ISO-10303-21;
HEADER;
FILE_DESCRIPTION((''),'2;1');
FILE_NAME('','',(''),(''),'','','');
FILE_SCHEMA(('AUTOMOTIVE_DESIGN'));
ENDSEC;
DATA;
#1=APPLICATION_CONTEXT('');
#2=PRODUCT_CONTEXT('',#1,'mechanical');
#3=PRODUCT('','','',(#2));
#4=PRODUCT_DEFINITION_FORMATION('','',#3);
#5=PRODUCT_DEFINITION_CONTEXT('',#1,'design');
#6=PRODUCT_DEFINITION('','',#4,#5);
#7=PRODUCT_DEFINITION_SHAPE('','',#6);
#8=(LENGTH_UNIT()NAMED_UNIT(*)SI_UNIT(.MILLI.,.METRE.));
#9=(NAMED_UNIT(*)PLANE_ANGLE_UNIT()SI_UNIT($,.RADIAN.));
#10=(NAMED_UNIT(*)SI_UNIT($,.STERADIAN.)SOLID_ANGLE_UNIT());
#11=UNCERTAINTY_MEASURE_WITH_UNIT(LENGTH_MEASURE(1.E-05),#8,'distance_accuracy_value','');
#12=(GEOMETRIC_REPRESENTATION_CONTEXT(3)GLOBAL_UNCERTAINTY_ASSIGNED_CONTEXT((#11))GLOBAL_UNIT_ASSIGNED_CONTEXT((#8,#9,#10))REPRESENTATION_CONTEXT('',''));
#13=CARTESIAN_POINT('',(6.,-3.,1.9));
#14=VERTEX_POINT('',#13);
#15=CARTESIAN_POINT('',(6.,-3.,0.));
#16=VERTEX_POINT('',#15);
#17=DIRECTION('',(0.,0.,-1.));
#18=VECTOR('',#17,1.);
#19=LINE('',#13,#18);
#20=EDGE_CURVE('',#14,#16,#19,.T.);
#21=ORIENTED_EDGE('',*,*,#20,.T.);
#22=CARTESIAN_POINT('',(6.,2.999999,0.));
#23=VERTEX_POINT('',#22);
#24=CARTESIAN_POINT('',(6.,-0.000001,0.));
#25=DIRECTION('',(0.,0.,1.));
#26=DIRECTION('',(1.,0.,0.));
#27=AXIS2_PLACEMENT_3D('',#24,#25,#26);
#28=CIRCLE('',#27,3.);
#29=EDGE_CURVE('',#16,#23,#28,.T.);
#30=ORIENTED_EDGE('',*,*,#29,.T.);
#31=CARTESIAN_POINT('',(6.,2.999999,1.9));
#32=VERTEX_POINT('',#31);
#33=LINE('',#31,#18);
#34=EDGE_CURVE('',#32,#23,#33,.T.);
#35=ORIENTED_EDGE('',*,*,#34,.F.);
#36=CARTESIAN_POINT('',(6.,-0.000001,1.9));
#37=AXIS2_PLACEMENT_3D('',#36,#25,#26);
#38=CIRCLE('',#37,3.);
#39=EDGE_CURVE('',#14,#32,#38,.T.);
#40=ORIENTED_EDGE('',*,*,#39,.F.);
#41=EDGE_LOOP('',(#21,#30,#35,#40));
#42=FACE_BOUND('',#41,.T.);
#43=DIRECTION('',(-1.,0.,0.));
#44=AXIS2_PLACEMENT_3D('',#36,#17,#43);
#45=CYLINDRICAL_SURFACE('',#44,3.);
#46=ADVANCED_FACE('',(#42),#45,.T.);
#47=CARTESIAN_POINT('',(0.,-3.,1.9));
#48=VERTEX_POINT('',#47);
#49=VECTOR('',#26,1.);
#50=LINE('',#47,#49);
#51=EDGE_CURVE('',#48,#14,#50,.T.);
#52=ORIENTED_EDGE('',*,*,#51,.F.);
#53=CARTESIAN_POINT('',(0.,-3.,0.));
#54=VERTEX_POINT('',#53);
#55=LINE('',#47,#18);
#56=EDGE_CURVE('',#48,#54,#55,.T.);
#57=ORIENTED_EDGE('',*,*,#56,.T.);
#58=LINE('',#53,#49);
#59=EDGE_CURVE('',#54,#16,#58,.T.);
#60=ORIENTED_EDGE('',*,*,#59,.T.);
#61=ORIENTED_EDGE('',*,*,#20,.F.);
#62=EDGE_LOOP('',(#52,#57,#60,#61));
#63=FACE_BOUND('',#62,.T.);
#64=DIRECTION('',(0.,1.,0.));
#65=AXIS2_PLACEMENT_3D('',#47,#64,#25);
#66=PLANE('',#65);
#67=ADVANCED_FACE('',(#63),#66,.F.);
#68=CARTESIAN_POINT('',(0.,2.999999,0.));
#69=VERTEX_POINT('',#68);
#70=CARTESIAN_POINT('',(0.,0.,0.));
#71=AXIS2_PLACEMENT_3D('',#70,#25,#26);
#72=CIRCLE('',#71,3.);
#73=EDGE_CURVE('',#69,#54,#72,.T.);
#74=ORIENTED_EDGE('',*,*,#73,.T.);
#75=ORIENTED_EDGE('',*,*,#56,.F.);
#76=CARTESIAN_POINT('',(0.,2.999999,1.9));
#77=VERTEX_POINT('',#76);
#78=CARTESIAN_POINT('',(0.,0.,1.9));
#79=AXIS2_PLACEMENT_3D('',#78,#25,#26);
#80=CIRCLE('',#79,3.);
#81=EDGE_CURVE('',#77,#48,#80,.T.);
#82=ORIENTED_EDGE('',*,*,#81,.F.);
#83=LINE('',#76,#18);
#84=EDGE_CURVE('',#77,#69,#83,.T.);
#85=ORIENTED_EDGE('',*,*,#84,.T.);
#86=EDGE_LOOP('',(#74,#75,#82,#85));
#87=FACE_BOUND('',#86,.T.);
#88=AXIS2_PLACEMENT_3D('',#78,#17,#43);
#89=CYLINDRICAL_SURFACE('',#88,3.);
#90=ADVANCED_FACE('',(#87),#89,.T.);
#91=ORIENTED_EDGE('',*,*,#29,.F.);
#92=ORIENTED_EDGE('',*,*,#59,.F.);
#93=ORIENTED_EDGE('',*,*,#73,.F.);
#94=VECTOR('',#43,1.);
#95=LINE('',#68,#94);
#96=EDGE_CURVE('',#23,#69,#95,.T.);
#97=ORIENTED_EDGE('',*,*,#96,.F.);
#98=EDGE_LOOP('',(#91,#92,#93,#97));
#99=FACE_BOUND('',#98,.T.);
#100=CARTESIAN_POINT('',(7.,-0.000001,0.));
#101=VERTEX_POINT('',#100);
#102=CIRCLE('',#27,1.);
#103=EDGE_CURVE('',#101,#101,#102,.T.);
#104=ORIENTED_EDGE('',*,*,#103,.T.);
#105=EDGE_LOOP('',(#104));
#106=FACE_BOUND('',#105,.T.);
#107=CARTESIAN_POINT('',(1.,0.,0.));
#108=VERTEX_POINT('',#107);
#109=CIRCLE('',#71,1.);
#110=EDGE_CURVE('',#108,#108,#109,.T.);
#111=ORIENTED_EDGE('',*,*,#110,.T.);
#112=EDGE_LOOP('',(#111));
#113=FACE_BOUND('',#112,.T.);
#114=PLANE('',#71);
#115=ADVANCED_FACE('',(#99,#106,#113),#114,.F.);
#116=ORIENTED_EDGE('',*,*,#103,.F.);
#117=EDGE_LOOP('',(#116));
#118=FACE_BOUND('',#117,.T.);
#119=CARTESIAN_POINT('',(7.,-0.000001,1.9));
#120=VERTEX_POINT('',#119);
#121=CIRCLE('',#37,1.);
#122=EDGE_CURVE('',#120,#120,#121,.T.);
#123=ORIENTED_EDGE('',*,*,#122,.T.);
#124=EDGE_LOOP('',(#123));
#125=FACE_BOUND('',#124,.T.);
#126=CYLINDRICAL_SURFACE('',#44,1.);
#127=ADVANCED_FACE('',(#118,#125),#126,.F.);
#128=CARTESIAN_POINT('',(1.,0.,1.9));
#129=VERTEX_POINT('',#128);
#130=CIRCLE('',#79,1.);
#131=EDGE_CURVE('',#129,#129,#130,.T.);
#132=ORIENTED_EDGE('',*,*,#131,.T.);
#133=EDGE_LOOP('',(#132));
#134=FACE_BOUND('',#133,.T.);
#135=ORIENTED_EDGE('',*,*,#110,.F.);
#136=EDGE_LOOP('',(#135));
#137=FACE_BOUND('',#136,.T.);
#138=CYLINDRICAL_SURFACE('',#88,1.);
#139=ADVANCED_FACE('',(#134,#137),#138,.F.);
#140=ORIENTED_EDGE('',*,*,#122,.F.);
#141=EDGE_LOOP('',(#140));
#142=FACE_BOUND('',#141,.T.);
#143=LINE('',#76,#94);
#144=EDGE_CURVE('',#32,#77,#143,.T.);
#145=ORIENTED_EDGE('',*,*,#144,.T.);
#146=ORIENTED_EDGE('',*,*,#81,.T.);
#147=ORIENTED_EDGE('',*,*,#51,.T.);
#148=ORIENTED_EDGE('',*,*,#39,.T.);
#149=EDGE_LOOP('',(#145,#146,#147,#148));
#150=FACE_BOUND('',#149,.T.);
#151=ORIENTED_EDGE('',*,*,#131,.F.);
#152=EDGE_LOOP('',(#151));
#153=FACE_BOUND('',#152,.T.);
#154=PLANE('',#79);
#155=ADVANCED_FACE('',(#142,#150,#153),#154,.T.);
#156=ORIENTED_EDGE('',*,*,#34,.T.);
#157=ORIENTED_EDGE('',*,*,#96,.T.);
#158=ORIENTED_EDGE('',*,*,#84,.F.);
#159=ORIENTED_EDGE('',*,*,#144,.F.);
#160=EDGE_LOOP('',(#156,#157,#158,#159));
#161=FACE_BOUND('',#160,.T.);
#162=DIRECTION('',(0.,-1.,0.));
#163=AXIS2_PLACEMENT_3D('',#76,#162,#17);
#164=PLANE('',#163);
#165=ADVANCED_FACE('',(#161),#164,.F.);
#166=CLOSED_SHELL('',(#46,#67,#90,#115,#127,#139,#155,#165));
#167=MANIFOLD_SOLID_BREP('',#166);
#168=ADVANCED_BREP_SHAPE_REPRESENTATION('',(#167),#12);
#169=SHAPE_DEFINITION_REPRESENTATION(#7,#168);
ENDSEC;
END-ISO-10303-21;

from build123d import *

# Parameters (mm, degrees)
SKETCH_1_R      = 1
EXTRUDE_1_DEPTH = 1.9


with BuildPart() as part:
    # 草图1 → 凸台-拉伸1 (new body)
    with BuildSketch(Plane.XY):
        with BuildLine():
            Line((0, -3), (6, -3))
            ThreePointArc((6, -3), (8.999999499, -5.01e-07), (6, 2.999999499))
            Line((6, 2.999999499), (0, 2.999999499))
            ThreePointArc((0, 2.999999499), (-2.999999499, 0), (0, -3))
        make_face()
        Circle(SKETCH_1_R, mode=Mode.SUBTRACT)
        with Locations((6, -5.01e-07)):
            Circle(SKETCH_1_R, mode=Mode.SUBTRACT)
    extrude(amount=EXTRUDE_1_DEPTH)


solid = part.part
